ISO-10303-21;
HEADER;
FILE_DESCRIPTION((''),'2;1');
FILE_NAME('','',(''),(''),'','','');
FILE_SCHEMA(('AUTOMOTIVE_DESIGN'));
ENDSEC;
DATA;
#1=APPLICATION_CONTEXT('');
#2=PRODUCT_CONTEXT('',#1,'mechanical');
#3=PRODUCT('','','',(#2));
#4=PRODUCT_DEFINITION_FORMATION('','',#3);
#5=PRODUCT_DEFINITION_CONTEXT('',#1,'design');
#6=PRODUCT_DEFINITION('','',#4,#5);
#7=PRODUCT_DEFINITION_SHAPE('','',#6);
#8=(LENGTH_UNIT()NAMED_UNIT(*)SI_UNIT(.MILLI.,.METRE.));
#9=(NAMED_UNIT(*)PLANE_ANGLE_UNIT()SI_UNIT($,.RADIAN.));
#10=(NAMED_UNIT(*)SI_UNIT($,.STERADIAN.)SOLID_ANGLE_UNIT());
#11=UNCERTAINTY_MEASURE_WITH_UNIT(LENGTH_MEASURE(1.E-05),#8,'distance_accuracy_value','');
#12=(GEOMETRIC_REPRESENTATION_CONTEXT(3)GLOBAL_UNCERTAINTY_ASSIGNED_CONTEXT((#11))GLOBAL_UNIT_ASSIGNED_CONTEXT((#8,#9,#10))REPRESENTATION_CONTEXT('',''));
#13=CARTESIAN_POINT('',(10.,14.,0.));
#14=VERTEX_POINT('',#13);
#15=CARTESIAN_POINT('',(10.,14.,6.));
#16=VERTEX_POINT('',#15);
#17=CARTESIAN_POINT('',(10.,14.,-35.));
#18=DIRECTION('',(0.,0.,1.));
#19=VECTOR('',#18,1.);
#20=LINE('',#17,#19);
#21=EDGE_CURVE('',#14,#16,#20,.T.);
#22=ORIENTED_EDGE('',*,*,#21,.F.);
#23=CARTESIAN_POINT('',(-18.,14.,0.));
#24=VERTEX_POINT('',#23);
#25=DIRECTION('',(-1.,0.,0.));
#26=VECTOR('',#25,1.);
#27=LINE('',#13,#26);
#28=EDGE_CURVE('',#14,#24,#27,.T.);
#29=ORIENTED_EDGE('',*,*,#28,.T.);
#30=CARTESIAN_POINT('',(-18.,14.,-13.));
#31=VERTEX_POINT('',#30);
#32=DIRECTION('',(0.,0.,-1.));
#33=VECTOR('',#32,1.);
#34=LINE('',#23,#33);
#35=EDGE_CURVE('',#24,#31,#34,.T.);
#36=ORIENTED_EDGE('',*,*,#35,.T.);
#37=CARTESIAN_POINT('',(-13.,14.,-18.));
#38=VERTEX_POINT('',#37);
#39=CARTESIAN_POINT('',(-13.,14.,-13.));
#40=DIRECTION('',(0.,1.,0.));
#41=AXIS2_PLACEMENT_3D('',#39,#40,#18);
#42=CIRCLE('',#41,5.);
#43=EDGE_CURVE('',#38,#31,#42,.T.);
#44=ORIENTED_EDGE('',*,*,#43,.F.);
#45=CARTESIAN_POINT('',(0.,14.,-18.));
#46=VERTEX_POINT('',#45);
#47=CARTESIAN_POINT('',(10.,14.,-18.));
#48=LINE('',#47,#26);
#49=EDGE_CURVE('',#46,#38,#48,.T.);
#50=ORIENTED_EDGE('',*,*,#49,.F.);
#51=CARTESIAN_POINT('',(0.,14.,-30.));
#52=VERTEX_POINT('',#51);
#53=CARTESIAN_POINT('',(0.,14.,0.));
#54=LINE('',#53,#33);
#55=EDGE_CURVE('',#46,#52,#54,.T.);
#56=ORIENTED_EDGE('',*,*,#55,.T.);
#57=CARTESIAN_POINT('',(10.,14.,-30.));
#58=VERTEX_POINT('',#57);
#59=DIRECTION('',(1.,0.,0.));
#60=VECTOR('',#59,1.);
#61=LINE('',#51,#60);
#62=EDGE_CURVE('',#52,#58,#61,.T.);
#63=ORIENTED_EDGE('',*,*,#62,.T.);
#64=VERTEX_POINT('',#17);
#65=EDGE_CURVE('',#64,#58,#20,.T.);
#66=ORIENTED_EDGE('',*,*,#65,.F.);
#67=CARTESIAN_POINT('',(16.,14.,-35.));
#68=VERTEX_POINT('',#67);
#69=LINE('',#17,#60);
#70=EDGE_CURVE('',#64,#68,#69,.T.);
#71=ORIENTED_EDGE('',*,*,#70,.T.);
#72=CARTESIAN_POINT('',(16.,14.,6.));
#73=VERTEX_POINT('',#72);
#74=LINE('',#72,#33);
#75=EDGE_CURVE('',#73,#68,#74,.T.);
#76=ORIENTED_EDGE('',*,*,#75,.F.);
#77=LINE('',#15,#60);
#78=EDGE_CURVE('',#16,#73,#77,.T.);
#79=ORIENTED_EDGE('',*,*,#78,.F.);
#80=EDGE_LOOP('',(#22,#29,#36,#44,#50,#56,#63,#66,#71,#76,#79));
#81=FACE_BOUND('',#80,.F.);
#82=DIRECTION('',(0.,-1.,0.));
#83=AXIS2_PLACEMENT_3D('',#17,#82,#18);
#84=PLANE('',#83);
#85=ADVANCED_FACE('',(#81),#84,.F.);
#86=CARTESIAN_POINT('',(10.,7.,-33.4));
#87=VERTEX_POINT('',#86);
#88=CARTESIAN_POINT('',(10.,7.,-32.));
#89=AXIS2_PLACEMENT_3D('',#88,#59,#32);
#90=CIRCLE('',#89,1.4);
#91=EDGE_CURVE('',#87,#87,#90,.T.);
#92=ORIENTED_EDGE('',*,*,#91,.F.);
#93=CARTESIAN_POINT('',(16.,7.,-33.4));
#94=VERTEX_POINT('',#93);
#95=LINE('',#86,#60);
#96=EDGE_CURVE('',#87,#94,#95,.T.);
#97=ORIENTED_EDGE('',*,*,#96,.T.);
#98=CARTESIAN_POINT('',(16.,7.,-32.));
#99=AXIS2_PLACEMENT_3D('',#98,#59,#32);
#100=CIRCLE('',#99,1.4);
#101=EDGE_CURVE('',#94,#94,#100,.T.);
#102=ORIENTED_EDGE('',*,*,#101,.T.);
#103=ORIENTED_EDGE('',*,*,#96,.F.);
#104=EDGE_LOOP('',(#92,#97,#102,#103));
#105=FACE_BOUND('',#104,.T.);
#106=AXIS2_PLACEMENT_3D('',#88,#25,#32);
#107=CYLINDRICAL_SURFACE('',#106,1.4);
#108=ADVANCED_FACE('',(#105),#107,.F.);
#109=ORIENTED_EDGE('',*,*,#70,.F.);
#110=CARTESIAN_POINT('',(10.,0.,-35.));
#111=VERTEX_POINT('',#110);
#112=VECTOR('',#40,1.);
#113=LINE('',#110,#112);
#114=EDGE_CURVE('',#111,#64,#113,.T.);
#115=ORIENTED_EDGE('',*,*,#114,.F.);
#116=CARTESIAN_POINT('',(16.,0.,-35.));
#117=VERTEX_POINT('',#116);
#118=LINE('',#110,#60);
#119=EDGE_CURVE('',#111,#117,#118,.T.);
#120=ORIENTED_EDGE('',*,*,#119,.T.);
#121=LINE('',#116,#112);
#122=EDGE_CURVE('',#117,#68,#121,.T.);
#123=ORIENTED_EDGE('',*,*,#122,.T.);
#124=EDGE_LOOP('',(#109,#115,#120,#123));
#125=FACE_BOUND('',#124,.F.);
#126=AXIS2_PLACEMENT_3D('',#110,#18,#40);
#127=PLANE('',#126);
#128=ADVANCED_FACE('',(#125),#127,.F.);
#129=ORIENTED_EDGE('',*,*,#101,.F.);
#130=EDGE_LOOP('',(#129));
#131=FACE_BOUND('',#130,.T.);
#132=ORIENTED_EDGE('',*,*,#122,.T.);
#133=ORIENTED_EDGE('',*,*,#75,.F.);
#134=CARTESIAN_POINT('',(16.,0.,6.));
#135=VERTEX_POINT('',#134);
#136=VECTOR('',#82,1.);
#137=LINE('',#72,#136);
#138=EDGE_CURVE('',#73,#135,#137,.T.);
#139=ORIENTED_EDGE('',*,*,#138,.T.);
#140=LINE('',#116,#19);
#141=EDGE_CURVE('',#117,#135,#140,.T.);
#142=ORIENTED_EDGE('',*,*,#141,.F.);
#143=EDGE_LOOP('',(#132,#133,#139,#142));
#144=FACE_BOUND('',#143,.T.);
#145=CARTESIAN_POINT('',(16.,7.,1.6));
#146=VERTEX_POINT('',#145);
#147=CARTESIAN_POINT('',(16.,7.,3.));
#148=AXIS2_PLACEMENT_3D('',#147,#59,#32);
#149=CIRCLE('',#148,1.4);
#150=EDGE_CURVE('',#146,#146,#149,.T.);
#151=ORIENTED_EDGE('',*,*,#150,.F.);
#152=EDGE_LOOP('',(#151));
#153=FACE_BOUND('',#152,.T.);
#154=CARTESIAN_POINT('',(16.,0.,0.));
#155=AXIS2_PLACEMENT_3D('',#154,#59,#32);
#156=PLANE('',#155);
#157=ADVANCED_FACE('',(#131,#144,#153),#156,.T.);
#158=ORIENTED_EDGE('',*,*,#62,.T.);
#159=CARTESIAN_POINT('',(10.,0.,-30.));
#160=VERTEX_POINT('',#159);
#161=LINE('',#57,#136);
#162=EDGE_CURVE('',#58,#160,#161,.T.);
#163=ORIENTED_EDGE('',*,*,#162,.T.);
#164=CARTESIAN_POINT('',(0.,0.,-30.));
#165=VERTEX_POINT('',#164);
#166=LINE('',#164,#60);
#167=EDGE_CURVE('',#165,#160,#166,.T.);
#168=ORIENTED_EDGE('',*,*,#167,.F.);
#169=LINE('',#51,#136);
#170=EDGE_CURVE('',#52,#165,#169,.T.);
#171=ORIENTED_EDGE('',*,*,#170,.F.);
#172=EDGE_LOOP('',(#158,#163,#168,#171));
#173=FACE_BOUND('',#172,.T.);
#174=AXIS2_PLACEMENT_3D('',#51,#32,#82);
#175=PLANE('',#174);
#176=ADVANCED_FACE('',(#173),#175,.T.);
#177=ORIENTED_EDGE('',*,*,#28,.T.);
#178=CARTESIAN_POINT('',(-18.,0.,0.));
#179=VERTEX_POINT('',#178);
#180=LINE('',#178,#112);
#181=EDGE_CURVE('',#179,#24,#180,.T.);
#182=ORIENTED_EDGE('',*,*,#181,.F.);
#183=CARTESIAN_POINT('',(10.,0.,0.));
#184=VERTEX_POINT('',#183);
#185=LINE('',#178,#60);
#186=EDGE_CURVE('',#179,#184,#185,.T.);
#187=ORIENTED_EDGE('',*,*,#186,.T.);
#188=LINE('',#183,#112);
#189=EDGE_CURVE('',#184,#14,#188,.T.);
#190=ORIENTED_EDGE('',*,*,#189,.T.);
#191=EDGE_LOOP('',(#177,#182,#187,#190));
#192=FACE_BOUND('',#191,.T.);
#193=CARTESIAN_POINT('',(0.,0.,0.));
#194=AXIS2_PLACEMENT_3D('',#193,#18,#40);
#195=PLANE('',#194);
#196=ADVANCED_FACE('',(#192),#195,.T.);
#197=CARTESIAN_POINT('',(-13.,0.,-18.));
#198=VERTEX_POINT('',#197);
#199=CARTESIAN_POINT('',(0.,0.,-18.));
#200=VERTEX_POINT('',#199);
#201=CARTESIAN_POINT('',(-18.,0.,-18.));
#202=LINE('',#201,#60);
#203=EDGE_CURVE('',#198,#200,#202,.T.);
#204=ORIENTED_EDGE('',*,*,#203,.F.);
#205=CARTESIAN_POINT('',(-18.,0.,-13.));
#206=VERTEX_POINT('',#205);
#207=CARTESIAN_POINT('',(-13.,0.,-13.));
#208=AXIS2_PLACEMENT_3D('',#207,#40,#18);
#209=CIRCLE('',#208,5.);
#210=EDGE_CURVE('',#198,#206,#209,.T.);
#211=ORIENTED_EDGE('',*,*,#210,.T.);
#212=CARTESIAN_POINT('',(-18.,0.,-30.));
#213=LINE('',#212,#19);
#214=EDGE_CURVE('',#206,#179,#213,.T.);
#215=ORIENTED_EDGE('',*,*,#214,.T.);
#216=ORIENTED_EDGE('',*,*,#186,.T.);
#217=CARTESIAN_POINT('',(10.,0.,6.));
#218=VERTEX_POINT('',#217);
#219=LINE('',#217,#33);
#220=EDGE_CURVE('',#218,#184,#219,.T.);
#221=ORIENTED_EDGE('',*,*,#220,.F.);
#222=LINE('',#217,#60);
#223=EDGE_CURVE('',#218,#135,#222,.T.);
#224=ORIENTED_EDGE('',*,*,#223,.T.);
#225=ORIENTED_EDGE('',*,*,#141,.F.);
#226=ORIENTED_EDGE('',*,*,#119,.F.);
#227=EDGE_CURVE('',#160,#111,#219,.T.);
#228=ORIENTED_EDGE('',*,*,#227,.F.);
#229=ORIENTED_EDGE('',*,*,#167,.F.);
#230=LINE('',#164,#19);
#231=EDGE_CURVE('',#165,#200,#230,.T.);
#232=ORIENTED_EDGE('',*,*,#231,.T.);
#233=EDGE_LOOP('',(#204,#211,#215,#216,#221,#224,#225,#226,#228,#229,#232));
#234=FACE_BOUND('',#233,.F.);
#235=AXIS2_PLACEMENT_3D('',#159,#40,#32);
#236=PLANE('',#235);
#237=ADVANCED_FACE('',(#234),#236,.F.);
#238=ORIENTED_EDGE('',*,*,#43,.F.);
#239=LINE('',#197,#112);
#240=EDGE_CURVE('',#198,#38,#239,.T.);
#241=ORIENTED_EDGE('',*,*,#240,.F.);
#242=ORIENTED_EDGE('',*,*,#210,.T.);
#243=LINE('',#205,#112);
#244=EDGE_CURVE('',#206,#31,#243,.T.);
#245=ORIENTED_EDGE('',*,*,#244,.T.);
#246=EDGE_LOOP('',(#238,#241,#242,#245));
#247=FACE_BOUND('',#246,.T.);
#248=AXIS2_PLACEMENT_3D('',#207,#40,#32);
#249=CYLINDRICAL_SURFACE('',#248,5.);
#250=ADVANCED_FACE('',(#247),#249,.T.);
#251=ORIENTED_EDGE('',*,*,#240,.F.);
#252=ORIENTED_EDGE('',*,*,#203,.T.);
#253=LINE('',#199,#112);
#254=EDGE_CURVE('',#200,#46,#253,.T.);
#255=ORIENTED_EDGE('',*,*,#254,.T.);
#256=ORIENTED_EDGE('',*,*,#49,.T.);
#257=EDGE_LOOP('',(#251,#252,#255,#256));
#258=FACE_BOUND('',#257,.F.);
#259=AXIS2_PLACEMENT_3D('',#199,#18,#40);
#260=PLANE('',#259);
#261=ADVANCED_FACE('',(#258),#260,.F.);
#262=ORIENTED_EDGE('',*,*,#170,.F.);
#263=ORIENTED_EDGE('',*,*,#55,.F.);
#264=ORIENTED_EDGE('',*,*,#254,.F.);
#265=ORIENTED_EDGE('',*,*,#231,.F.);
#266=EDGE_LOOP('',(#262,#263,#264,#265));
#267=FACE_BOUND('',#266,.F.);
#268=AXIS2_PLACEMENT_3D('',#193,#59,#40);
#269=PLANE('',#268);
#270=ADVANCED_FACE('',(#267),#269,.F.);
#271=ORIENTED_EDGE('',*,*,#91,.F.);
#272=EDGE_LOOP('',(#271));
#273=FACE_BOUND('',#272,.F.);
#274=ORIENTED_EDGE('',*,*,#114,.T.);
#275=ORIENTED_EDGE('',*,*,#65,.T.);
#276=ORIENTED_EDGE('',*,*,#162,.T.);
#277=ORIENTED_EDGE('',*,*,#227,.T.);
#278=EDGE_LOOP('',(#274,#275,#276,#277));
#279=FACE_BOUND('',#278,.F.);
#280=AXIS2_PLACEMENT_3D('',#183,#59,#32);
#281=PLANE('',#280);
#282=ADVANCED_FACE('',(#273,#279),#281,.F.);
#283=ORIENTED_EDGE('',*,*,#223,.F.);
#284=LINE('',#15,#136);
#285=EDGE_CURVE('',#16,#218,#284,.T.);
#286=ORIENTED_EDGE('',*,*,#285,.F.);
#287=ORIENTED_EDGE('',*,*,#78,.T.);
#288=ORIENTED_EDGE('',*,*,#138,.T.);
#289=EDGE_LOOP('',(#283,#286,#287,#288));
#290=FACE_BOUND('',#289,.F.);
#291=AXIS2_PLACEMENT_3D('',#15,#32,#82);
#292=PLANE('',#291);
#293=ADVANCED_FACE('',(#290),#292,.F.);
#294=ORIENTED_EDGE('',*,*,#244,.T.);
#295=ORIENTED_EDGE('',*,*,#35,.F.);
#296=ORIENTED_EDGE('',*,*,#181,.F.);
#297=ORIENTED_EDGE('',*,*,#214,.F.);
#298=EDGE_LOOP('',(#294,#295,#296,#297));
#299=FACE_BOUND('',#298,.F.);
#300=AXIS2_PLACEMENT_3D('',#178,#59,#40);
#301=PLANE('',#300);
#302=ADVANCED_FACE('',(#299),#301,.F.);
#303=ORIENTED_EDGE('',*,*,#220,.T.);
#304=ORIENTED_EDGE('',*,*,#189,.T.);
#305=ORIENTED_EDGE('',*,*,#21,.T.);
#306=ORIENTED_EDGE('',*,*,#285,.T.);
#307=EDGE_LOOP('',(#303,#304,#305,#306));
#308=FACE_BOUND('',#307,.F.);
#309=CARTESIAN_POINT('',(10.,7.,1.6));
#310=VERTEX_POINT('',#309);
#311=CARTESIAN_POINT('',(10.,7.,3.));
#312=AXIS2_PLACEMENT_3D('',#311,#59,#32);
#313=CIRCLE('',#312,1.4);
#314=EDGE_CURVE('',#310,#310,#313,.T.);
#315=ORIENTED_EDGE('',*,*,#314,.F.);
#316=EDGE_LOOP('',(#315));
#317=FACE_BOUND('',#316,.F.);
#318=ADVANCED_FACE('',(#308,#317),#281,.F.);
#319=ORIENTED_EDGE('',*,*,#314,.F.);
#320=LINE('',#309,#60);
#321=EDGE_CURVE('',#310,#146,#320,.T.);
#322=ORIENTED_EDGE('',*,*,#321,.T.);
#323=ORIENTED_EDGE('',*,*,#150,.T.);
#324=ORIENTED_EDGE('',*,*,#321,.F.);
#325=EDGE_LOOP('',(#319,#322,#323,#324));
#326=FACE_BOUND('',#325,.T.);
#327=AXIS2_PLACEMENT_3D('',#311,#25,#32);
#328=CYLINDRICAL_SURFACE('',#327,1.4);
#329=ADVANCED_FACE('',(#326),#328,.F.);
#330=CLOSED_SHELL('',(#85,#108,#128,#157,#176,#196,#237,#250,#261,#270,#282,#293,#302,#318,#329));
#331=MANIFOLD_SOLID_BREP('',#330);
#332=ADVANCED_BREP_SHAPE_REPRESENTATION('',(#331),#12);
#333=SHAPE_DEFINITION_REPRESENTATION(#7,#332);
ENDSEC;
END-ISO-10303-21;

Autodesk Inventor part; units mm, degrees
ref_plane "YZ Plane" through (0, 0, 0) normal (1, 0, 0) x (0, 1, 0)
ref_plane "XZ Plane" through (0, 0, 0) normal (0, 1, 0) x (-1, 0, 0)
ref_plane "XY Plane" through (0, 0, 0) normal (0, 0, 1) x (1, 0, 0)
sketch "Sketch1" plane through (0, 0, 0) normal (1, 0, 0) x (0, 1, 0)
  line L0 (0, 0) -> (14, 0)
  line L1 (14, 0) -> (14, -30)
  line L2 (14, -30) -> (0, -30)
  line L3 (0, -30) -> (0, 0)
  line L4 (14, -30) -> (0, -30)
  line L5 (0, -30) -> (0, -30)
  line L6 (0, -30) -> (14, -30)
  line L7 (14, -30) -> (14, -30)
  line L8 (0, 0) -> (0, -18)
  line L9 (0, -18) -> (14, -18)
  line L10 (14, -18) -> (14, 0)
  point P0 (14, -18)
  dimension "d12" = 14
  dimension "d13" = 30
  dimension "d14" = 12
  dimension "d15" = 0
extrude "Extrusion6" add sketch "Sketch1" along normal blind 10 contours L9 L1 L2 L3
extrude "Extrusion7" add sketch "Sketch1" along normal blind 10 and the other way blind 18 contours L0 L1 L9 L3
fillet "Fillet2" radius 5 1 edges at (-18, 7, -18)
sketch "Sketch7" plane through (10, 0, 0) normal (1, 0, 0) x (0, 0, -1)
  line L0 (35, 14) -> (-6, 14)
  line L1 (-6, 14) -> (-6, 0)
  line L2 (-6, 0) -> (35, 0)
  line L3 (35, 0) -> (35, 14)
  line L4 (30, 0) -> (30, 14) projected
  circle A0 centre (32, 7) radius 1.4
  circle A1 centre (-3, 7) radius 1.4
  point P0 (0, 0)
  dimension "d32" = 41
  dimension "d33" = 5
  dimension "d34" = 14
  dimension "d35" = 2.8
  dimension "d36" = 3
  dimension "d37" = 2.8
  dimension "d38" = 35
extrude "Extrusion9" add sketch "Sketch7" along normal blind 6
properties part number "_3DPrint"
